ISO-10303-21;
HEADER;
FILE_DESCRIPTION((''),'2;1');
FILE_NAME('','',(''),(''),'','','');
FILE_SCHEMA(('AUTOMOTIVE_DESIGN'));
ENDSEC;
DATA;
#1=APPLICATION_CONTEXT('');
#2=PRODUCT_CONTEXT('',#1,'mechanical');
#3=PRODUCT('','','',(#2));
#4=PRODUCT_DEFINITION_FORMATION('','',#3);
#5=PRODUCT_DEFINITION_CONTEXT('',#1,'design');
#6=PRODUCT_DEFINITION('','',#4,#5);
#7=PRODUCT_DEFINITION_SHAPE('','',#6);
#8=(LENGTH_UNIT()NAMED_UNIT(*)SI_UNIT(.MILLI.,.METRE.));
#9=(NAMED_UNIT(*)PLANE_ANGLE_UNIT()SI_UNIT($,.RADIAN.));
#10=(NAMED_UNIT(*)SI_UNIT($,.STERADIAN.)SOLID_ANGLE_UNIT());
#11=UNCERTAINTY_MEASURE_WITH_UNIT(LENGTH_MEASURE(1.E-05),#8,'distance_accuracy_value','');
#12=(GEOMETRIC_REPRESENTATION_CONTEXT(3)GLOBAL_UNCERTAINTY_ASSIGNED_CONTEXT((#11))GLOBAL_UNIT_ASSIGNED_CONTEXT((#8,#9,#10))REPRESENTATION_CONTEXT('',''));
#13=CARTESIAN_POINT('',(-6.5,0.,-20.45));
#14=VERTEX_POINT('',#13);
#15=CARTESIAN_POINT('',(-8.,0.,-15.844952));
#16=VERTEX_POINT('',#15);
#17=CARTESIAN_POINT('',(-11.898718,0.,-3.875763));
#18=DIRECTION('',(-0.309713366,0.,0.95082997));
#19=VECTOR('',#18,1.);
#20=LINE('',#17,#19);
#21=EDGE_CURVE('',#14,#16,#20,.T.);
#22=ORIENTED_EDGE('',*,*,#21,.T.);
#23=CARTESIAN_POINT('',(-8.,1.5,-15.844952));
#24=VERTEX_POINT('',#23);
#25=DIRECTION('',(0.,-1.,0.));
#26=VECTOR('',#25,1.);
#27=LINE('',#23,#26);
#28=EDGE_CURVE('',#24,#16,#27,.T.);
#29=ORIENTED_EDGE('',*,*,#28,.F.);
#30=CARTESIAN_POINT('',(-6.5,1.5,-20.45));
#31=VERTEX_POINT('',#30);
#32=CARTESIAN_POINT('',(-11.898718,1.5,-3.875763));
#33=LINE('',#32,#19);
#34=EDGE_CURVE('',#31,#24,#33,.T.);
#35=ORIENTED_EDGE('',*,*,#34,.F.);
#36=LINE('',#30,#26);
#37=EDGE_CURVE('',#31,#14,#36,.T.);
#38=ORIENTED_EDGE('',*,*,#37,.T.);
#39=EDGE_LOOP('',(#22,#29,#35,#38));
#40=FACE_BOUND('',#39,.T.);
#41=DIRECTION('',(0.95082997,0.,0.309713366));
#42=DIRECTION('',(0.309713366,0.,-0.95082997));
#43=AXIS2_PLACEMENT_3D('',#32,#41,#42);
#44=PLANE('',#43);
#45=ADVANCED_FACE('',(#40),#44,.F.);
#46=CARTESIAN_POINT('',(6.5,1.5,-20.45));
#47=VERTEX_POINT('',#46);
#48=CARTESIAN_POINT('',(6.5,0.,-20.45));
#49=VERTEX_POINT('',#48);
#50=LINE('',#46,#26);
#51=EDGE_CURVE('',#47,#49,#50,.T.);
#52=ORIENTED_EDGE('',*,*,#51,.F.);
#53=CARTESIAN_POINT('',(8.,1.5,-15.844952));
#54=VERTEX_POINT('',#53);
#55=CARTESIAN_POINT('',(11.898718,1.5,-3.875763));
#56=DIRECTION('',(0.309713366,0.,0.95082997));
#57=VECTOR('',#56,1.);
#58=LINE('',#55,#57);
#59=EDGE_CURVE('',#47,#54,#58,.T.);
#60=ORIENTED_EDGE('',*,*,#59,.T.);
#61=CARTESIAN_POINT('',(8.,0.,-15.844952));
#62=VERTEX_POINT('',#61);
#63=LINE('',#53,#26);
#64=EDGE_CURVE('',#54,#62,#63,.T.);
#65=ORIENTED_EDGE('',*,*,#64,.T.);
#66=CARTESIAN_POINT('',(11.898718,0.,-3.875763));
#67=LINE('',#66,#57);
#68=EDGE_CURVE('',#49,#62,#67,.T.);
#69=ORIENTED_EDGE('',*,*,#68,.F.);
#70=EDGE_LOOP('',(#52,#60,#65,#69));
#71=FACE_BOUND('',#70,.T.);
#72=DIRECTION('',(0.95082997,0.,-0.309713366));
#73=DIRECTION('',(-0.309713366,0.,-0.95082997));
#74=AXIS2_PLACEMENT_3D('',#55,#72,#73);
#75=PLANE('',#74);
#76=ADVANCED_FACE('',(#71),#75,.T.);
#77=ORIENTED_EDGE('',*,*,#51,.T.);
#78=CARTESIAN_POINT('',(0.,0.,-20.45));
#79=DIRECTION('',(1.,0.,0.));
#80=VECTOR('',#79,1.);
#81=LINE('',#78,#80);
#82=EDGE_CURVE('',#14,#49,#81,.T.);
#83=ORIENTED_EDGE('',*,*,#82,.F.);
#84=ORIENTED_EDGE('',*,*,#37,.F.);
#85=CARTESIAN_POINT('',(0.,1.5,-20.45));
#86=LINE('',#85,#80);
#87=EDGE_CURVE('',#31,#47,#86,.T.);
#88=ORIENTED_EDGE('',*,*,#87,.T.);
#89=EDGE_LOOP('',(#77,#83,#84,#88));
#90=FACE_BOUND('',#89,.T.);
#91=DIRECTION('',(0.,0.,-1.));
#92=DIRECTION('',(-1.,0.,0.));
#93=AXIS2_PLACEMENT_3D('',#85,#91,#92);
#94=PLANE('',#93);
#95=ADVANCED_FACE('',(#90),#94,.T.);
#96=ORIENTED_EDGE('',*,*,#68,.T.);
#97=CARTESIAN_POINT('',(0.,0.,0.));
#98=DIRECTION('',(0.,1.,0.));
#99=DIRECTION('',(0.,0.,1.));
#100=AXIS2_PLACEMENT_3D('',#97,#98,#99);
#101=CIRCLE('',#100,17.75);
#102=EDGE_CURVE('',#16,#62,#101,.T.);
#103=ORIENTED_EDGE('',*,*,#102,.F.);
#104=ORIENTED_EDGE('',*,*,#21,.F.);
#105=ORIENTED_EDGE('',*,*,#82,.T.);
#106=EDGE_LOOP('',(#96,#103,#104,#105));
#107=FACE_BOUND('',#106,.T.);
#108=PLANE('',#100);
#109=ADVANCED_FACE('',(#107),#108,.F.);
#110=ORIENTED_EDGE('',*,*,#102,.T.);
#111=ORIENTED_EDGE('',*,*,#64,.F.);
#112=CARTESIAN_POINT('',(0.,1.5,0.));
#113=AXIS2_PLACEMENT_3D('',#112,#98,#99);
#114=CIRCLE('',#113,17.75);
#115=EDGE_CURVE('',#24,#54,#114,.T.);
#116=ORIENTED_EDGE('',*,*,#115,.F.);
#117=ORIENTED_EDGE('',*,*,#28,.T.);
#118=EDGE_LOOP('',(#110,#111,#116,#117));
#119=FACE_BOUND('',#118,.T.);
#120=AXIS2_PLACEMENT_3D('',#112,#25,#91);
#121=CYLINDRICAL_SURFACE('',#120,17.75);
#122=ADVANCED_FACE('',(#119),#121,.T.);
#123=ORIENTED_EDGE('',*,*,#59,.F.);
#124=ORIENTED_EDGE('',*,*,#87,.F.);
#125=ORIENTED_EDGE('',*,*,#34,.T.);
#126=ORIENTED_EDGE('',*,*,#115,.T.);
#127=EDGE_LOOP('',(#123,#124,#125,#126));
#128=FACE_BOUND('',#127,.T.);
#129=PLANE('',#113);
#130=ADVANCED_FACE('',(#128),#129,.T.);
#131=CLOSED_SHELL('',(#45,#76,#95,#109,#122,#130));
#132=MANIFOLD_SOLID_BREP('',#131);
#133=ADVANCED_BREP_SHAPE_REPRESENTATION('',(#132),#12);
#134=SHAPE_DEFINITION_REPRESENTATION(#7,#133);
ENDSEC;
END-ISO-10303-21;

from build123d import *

# Parameters (mm, degrees)
SKETCH1_R           = 17.75
BOSS_EXTRUDE2_DEPTH = 1.5


with BuildPart() as part:
    # Sketch1 → Boss-Extrude2 (new body)
    with BuildSketch(Plane(origin=(0, 0, 0), x_dir=(1, 0, 0), z_dir=(0, 1, 0))):
        with BuildLine():
            Line((6.5, 20.45), (-6.5, 20.45))
            Line((-6.5, 20.45), (-8, 15.844951877))
            ThreePointArc((-8, 15.844951877), (0, 17.75), (8, 15.844951877))
            Line((8, 15.844951877), (6.5, 20.45))
        make_face()
        Circle(SKETCH1_R)
    extrude(amount=BOSS_EXTRUDE2_DEPTH)


solid = part.part
